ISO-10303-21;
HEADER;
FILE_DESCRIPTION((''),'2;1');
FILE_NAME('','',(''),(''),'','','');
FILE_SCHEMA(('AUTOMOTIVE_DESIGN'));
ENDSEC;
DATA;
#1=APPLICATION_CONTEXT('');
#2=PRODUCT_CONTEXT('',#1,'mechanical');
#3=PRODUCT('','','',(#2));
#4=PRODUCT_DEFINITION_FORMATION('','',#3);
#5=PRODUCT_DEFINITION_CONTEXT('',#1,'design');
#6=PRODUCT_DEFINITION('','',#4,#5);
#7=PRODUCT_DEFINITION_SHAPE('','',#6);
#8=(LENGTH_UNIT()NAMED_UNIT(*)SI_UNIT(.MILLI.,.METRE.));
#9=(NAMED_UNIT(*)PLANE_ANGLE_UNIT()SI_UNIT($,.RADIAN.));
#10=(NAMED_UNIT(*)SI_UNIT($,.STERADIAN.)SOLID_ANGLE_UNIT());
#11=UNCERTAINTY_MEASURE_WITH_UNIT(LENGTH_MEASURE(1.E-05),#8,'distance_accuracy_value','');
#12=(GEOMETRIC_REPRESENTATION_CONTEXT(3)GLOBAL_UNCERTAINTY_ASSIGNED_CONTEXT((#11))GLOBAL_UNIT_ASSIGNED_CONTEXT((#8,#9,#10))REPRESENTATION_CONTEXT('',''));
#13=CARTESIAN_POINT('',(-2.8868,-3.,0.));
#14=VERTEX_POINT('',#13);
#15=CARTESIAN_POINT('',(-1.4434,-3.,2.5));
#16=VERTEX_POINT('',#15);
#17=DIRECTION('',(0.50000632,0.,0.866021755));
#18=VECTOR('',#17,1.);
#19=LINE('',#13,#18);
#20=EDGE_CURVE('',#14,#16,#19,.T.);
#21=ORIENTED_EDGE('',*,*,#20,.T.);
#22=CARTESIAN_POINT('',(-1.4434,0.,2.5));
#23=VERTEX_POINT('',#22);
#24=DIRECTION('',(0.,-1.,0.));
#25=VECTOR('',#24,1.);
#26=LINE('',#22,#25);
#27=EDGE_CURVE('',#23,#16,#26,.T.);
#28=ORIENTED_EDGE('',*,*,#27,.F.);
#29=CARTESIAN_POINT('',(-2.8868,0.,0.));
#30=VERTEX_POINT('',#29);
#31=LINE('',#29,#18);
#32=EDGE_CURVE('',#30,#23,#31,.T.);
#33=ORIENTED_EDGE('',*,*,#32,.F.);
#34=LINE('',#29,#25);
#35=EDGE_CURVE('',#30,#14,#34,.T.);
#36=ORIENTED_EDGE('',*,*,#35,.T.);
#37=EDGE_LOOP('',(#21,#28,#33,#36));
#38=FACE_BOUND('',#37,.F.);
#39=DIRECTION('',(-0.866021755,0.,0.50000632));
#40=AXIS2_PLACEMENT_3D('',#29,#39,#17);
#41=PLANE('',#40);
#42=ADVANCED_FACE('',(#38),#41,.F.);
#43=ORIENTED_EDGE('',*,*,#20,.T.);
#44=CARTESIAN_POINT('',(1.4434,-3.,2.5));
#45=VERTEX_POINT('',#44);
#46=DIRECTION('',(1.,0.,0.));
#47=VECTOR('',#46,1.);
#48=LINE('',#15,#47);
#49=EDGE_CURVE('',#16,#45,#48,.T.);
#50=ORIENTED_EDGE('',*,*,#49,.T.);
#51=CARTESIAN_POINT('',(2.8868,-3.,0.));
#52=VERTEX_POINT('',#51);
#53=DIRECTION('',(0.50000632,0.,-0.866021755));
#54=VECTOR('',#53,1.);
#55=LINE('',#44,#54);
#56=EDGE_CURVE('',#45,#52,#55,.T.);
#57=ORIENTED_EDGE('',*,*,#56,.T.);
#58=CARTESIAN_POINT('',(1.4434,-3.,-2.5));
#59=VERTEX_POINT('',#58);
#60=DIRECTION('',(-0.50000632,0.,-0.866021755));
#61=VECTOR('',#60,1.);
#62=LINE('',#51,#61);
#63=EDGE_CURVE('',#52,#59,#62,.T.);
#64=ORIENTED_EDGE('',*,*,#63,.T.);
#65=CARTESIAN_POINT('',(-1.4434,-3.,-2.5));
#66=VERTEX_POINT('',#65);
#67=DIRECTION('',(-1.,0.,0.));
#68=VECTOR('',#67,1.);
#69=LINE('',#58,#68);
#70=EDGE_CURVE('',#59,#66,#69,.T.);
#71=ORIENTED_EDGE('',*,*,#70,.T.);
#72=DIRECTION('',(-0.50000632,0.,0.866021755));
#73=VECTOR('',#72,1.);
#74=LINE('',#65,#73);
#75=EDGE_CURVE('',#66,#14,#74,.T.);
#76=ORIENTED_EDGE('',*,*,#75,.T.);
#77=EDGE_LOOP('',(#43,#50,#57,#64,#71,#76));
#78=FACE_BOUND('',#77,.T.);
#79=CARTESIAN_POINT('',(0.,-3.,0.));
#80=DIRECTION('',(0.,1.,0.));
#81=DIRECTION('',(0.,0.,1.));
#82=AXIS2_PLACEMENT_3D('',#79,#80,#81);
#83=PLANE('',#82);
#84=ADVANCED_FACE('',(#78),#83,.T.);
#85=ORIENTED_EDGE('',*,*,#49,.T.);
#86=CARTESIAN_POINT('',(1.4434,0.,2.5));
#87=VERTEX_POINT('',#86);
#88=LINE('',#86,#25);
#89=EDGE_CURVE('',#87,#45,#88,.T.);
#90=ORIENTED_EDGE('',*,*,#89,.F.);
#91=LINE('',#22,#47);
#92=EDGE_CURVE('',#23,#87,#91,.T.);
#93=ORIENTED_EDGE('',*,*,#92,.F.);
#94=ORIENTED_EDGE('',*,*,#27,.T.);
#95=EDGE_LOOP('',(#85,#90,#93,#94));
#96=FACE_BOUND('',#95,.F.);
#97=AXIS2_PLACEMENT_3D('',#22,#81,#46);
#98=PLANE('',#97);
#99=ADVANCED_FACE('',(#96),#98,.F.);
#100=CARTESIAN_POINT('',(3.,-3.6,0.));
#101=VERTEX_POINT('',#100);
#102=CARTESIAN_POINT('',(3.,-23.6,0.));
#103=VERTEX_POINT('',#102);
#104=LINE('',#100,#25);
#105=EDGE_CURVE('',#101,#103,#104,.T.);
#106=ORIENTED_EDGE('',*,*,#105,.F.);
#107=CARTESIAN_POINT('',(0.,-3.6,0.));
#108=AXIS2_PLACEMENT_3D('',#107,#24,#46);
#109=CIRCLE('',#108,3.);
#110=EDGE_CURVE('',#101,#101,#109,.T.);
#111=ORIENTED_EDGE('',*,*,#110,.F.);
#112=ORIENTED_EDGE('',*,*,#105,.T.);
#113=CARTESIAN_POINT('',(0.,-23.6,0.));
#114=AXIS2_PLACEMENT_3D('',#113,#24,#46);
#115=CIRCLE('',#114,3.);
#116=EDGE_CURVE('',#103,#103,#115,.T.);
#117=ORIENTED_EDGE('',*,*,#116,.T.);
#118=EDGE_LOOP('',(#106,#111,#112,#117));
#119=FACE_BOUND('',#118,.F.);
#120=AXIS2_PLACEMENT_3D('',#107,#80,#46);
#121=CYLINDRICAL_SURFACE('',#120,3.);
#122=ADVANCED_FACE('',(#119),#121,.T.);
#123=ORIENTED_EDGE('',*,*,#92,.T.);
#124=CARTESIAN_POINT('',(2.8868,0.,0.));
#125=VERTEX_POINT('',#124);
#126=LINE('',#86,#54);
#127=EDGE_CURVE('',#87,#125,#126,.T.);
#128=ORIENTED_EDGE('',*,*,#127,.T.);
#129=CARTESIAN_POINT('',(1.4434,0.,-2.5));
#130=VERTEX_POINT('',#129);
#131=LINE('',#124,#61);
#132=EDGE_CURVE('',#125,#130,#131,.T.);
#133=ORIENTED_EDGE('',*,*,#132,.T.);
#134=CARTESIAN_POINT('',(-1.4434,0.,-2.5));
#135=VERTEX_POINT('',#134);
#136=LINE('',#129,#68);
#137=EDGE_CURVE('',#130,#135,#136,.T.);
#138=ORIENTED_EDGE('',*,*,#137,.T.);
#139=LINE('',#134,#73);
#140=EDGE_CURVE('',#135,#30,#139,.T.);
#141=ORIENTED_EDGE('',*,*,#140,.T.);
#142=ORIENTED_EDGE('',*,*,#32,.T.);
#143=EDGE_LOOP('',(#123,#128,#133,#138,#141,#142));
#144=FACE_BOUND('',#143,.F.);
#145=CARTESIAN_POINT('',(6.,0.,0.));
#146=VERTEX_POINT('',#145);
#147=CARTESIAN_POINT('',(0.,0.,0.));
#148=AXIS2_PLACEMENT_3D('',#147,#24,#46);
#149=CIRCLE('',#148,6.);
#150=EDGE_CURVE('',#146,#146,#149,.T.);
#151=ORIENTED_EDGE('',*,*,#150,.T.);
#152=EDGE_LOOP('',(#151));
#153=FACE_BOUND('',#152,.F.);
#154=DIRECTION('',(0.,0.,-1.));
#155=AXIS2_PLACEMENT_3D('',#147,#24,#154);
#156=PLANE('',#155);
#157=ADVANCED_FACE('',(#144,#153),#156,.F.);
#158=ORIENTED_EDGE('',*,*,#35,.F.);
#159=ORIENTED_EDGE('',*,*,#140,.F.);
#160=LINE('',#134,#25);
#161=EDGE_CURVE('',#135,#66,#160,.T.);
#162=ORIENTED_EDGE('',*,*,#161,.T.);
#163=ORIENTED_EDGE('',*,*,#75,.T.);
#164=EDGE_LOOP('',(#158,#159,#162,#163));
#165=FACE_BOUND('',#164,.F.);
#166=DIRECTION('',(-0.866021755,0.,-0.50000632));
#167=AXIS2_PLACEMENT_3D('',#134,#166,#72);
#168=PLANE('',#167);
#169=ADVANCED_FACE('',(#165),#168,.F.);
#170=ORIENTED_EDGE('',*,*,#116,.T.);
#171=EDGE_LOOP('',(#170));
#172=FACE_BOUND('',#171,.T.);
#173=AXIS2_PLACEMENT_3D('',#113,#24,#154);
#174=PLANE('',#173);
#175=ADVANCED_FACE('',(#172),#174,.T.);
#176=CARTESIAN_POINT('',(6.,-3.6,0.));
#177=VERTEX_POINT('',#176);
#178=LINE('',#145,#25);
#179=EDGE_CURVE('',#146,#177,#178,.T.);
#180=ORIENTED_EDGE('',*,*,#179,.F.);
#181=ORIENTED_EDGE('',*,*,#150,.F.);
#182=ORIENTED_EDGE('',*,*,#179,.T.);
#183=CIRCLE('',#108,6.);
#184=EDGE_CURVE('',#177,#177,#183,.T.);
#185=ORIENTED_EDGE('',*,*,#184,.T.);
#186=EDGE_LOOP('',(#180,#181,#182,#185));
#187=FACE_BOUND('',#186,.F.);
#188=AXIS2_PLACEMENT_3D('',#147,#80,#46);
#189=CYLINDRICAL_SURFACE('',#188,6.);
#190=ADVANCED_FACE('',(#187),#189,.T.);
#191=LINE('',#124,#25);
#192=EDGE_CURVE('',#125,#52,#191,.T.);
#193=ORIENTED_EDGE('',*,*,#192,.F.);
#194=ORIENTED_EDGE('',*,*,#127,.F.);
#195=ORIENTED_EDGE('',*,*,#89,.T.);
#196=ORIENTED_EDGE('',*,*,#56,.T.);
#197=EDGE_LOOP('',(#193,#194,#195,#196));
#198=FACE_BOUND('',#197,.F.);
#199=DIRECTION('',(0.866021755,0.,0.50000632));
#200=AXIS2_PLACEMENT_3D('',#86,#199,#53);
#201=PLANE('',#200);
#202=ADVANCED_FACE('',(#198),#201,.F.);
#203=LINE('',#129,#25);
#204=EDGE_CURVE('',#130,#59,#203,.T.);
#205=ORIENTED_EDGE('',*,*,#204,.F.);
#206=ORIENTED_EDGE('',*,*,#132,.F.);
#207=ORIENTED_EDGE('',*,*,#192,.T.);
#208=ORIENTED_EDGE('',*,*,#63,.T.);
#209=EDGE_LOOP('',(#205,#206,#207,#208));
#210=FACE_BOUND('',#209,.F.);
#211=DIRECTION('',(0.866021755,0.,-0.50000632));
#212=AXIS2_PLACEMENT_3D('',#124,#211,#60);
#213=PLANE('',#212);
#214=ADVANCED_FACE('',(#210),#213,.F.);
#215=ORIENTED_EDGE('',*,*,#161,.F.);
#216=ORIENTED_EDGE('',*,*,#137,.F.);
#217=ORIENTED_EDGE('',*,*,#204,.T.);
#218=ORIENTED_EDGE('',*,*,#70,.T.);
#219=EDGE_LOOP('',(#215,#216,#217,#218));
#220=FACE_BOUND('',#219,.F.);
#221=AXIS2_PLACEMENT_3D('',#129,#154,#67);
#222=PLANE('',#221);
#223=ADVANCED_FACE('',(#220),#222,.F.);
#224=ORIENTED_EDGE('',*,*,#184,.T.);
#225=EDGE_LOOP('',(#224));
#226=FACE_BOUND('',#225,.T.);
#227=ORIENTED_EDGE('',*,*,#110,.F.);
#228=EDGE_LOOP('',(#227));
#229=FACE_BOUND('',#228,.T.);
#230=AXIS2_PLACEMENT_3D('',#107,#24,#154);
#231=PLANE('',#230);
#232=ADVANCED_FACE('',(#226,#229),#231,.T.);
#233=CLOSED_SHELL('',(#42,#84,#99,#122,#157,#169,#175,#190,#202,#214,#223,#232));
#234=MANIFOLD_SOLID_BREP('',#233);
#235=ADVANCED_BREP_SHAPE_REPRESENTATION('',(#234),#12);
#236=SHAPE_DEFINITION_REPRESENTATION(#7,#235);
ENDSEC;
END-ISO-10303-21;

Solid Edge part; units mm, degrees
sketch "Sketch1" plane through (0, 0, 0) normal (0, -1, 0) x (1, 0, 0)
  circle A0 centre (0, 0) radius 6
extrude "Protrusion1" add sketch "Sketch1" along normal blind 3.6
sketch "Sketch2" plane through (0, -3.6, 0) normal (0, -1, 0) x (1, 0, 0)
  circle A0 centre (0, 0) radius 3
extrude "Protrusion2" add sketch "Sketch2" along normal blind 20
sketch "Sketch3" plane through (0, 0, 0) normal (0, 1, 0) x (0, 0, -1)
  line L0 (2.5, -1.4434) -> (2.5, 1.4434)
  line L1 (2.5, 1.4434) -> (0, 2.8868)
  line L2 (0, 2.8868) -> (-2.5, 1.4434)
  line L3 (-2.5, 1.4434) -> (-2.5, -1.4434)
  line L4 (-2.5, -1.4434) -> (0, -2.8868)
  line L5 (0, -2.8868) -> (2.5, -1.4434)
extrude "ExtrudedCutout_4" cut sketch "Sketch3" against normal blind 3
properties material "Nylon, general purpose"
